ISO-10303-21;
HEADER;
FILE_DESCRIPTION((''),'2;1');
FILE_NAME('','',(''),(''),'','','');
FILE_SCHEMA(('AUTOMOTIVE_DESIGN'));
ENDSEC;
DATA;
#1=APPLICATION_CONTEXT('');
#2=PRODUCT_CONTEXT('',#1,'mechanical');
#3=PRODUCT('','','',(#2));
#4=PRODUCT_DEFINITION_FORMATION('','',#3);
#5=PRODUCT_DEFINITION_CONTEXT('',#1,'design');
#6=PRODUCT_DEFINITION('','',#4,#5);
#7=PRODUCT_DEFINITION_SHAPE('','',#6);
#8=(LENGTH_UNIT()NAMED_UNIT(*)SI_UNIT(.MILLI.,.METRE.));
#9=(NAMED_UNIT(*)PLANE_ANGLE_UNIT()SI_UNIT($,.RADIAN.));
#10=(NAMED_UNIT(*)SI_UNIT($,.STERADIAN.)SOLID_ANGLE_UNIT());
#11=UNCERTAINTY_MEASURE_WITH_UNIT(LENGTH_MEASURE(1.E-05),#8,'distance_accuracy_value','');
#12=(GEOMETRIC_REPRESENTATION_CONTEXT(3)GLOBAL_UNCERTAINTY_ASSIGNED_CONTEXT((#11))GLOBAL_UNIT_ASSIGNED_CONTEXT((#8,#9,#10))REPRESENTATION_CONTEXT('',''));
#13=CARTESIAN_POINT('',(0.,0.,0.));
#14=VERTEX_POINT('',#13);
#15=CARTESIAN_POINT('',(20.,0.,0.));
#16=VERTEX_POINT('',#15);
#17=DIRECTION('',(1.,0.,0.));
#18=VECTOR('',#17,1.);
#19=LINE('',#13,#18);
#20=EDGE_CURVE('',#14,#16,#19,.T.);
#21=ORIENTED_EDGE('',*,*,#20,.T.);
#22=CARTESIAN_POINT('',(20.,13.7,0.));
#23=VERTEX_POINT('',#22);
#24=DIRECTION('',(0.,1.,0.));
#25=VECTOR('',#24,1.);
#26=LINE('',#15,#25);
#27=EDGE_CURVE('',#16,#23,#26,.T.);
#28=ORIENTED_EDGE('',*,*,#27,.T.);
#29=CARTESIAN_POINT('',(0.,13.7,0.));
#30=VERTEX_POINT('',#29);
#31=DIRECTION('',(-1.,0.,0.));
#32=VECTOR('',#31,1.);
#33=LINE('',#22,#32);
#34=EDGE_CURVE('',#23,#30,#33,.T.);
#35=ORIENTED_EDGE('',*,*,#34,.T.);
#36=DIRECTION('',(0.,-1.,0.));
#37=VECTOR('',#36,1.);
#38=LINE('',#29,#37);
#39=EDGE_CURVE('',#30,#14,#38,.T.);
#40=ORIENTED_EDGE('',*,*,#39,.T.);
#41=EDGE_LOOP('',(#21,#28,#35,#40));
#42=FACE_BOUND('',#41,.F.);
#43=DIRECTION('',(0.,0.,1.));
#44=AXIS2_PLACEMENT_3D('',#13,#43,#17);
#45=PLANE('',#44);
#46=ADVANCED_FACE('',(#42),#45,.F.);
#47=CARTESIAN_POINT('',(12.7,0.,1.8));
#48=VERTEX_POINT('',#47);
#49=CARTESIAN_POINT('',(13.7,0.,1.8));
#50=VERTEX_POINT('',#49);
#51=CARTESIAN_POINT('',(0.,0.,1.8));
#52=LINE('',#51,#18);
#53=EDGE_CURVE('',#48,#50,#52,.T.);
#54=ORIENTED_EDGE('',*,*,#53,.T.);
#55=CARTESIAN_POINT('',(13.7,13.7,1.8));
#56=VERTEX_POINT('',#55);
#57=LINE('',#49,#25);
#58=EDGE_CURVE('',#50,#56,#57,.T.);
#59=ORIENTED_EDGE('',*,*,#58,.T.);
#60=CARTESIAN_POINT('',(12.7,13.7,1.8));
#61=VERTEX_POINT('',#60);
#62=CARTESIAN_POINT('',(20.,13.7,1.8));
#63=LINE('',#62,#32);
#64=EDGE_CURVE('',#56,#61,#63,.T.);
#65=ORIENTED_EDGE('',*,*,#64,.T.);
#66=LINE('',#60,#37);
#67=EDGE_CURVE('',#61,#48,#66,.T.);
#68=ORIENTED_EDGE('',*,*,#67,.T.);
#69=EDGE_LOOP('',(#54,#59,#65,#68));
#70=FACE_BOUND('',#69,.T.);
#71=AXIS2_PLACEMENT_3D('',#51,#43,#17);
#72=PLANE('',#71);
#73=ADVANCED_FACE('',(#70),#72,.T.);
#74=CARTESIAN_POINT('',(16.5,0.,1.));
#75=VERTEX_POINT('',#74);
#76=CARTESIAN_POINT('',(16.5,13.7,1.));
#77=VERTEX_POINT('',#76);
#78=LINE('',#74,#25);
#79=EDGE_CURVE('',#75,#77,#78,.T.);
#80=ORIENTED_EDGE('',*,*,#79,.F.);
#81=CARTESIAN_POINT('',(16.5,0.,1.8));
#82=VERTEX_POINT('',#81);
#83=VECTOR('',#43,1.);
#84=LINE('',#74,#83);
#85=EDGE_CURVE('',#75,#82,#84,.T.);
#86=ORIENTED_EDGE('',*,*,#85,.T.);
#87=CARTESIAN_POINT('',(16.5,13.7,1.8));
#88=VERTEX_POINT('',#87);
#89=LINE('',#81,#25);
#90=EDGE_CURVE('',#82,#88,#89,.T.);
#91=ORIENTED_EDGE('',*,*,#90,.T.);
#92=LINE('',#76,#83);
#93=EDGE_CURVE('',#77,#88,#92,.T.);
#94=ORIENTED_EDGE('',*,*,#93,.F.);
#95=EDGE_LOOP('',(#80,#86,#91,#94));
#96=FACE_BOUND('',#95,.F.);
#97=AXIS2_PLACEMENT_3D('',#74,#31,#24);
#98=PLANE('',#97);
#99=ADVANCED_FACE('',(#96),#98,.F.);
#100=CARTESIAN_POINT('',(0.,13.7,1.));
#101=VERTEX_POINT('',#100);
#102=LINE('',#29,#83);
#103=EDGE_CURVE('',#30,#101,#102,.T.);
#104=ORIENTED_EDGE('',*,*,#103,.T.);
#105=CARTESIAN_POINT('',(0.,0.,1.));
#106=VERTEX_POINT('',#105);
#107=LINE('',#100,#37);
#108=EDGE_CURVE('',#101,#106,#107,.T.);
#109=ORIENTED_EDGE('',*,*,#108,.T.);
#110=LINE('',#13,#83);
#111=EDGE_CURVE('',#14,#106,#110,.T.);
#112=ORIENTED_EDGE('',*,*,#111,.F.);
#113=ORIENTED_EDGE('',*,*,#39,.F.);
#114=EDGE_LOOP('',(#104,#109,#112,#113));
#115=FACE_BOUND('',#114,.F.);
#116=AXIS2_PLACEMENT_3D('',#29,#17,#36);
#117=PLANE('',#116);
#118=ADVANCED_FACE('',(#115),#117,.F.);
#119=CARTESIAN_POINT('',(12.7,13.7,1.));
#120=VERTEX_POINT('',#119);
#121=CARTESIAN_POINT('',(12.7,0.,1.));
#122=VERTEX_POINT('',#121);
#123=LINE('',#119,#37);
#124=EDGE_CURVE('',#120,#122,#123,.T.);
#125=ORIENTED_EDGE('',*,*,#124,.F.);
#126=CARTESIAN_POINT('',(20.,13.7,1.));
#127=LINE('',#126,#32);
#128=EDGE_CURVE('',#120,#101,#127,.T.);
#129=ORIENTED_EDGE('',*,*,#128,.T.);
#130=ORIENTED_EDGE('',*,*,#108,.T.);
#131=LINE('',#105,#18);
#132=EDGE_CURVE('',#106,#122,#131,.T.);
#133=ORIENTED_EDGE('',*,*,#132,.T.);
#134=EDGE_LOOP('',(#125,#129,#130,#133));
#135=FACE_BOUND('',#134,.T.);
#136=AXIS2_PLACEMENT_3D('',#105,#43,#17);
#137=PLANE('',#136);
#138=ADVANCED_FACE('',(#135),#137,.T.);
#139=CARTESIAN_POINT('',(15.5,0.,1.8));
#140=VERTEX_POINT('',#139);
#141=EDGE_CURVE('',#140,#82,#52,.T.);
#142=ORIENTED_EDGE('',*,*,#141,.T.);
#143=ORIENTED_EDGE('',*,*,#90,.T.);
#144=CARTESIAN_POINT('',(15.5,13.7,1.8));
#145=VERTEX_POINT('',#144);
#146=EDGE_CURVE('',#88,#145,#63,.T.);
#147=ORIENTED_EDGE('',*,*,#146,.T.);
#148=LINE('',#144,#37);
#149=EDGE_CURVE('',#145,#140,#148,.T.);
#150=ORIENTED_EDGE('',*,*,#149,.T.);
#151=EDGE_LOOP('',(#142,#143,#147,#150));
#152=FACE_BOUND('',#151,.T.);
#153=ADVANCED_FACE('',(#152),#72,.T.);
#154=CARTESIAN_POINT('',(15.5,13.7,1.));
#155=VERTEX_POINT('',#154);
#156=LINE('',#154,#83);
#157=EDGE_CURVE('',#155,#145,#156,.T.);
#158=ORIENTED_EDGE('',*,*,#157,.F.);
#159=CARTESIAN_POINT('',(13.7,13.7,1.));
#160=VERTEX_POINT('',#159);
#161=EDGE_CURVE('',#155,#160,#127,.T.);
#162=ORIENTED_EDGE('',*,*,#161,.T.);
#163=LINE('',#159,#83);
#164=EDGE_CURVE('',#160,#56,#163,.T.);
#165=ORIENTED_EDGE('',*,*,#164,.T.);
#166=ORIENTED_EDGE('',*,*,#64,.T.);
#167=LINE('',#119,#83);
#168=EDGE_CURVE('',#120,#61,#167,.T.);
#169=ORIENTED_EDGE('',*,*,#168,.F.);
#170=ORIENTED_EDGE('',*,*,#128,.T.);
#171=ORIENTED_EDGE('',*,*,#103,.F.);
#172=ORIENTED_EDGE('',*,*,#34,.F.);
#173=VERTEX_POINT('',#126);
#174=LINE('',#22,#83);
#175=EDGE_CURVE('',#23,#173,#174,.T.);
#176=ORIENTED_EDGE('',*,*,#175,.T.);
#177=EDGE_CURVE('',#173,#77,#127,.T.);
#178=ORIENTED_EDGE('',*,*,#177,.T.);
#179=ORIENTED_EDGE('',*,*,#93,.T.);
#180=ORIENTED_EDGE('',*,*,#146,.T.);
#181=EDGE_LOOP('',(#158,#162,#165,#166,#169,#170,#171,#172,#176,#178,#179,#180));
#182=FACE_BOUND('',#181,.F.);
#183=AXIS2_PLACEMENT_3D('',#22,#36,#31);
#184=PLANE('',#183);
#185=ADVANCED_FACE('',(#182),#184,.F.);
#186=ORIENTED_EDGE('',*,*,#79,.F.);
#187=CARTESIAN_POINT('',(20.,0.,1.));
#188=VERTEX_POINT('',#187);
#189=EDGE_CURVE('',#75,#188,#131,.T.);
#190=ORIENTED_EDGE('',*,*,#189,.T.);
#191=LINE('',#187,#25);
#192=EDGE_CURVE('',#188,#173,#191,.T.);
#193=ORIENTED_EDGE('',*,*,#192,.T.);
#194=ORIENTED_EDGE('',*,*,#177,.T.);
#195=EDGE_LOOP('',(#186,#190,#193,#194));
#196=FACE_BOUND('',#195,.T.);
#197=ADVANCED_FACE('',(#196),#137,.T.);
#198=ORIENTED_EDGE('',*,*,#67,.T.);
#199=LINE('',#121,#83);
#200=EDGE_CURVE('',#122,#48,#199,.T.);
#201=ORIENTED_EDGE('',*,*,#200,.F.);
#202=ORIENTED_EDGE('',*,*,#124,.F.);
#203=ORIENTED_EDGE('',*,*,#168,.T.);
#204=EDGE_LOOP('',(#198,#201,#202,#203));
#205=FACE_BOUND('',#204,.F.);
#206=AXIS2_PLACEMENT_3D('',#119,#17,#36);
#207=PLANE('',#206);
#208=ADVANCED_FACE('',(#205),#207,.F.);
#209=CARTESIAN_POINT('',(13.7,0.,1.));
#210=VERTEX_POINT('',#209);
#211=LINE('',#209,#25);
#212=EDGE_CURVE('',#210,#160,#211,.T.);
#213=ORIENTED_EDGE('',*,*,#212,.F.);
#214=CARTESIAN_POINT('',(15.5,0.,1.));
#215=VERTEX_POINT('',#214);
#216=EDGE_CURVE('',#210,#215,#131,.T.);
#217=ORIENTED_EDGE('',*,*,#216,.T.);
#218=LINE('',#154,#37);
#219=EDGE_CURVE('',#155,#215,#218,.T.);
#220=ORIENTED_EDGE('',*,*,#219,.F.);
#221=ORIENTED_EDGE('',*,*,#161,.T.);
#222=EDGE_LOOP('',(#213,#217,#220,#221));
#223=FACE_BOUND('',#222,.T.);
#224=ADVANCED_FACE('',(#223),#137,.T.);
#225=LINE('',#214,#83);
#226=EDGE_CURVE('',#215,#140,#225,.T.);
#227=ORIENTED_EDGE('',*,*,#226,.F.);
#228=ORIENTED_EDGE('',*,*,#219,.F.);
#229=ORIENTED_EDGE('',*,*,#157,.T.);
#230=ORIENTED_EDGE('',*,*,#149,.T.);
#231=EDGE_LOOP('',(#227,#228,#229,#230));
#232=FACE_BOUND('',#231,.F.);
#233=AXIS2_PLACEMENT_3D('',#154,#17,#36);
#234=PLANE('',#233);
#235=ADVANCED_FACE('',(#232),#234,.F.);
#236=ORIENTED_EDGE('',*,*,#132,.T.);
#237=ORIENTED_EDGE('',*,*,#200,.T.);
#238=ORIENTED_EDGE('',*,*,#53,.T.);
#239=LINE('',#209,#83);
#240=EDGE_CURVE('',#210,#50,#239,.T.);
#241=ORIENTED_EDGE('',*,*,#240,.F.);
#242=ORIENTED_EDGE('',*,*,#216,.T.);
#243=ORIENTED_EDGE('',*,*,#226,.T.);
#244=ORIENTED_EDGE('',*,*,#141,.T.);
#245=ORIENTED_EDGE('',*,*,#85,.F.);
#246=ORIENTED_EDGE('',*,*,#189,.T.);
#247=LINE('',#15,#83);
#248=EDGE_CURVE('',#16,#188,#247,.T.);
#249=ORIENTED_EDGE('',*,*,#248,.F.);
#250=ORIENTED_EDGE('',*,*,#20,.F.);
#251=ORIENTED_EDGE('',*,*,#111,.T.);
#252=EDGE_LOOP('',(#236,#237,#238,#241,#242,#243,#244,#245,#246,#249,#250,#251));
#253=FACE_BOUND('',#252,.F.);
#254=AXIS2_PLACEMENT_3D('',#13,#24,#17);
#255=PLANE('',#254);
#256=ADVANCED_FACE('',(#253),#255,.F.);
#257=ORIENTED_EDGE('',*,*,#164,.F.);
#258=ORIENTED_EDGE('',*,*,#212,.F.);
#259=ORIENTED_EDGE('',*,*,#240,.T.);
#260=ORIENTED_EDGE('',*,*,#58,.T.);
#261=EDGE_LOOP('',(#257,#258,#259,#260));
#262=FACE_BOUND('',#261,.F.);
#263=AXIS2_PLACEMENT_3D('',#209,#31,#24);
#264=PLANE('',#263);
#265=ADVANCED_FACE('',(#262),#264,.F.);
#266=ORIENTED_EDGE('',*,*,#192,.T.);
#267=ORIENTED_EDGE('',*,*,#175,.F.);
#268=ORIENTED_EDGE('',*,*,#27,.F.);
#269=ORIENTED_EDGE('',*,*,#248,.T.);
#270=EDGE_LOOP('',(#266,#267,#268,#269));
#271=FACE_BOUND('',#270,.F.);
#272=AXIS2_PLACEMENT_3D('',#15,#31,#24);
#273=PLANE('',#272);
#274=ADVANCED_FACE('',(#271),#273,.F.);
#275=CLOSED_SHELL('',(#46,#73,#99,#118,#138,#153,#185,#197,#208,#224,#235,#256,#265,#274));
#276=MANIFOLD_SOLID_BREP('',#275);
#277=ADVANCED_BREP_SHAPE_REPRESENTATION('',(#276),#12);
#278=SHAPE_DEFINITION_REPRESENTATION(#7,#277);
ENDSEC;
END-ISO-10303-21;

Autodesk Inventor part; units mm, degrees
ref_plane "YZ Plane" through (0, 0, 0) normal (1, 0, 0) x (0, 1, 0)
ref_plane "XZ Plane" through (0, 0, 0) normal (0, 1, 0) x (-1, 0, 0)
ref_plane "XY Plane" through (0, 0, 0) normal (0, 0, 1) x (1, 0, 0)
sketch "Sketch1" plane through (0, 0, 0) normal (0, 0, 1) x (1, 0, 0)
  line L0 (0, 0) -> (20, 0)
  line L1 (20, 0) -> (20, 13.7)
  line L2 (20, 13.7) -> (0, 13.7)
  line L3 (0, 13.7) -> (0, 0)
  dimension "d0" = 20
  dimension "d1" = 13.7
extrude "Extrusion1" add sketch "Sketch1" along normal blind 1
sketch "Sketch2" plane through (0, 0, 1) normal (0, 0, 1) x (1, 0, 0)
  line L0 (0, 0) -> (20, 0) projected
  line L1 (20, 13.7) -> (0, 13.7) projected
  line L2 (13.7, 13.7) -> (12.7, 13.7)
  line L3 (12.7, 13.7) -> (12.7, 0)
  line L4 (12.7, 0) -> (13.7, 0)
  line L5 (13.7, 0) -> (13.7, 13.7)
  line L6 (15.5, 0) -> (16.5, 0)
  line L7 (16.5, 0) -> (16.5, 13.7)
  line L8 (16.5, 13.7) -> (15.5, 13.7)
  line L9 (15.5, 13.7) -> (15.5, 0)
  dimension "d4" = 1
  dimension "d5" = 1
  dimension "d6" = 1.8
  dimension "d9" = 3.5
extrude "Extrusion2" add sketch "Sketch2" along normal blind 0.8 contours L3 L1 L5 L0 | L9 L1 L7 L0
properties part number "Zijkant 3"
